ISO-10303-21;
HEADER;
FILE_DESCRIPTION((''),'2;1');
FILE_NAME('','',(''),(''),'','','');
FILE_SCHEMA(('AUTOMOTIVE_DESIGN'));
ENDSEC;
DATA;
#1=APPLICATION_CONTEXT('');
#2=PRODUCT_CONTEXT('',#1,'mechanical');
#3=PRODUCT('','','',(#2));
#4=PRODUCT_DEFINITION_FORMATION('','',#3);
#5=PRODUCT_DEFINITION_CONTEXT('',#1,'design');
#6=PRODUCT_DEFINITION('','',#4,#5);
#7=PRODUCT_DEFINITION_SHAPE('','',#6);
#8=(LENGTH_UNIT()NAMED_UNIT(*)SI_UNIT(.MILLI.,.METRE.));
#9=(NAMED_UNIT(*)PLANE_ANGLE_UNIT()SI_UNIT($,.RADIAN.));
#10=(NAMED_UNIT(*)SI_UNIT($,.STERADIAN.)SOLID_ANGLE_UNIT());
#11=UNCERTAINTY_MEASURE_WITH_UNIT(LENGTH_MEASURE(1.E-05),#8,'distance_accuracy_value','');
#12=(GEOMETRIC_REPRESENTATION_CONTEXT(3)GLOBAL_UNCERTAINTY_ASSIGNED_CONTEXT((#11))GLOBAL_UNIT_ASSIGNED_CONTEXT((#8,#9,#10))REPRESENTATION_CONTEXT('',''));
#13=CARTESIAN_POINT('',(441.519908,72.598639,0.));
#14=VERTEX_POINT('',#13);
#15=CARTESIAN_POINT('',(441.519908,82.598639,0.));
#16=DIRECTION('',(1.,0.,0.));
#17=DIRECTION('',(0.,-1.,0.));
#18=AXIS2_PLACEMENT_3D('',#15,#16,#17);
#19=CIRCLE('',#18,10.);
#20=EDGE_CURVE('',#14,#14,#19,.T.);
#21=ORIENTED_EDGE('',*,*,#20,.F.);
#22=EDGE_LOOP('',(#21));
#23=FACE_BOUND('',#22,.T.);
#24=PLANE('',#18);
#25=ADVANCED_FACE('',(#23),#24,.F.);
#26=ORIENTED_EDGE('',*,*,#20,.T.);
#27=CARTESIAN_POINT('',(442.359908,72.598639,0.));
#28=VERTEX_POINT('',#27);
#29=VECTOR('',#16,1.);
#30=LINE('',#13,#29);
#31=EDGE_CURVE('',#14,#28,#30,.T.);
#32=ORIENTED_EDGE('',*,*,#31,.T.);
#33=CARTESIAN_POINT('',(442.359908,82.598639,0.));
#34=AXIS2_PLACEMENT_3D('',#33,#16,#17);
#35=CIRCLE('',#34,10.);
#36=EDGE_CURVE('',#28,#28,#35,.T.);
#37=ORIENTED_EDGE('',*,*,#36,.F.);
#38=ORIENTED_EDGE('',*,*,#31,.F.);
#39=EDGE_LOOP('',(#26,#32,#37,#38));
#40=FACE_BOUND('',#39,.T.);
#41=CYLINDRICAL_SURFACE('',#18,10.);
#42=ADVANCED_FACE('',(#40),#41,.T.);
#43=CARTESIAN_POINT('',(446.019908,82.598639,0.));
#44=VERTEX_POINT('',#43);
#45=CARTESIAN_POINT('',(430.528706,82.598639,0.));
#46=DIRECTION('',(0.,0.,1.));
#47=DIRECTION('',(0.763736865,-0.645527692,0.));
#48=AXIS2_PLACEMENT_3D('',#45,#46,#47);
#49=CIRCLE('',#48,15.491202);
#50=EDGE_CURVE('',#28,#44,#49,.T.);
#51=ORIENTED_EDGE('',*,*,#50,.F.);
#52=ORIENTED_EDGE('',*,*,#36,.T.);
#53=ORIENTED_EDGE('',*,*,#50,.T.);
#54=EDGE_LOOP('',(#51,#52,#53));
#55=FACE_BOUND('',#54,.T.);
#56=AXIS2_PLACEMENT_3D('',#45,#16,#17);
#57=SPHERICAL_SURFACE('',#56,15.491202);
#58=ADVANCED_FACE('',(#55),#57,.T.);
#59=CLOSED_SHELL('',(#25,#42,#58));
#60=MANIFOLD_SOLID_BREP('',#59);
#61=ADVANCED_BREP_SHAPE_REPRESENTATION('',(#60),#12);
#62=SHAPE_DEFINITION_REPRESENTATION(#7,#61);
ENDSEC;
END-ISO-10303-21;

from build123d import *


with BuildPart() as part:
    # 草图1 → 旋转1 (revolve)
    with BuildSketch(Plane.XY, mode=Mode.PRIVATE) as revolve_1_sk:
        with BuildLine():
            Line((441.519907838, 82.59863874), (441.519907838, 92.59863874))
            Line((441.519907838, 92.59863874), (442.359907838, 92.59863874))
            ThreePointArc((442.359907838, 92.59863874), (445.07616059, 87.923007247), (446.019907838, 82.59863874))
            Line((446.019907838, 82.59863874), (441.519907838, 82.59863874))
        make_face()
    revolve(revolve_1_sk.sketch.rotate(Axis((439.896621775, 82.59863874, 0), (1, 0, 0)), 180), axis=Axis((439.896621775, 82.59863874, 0), (1, 0, 0)))  # turned: the seam where the file's is


solid = part.part
